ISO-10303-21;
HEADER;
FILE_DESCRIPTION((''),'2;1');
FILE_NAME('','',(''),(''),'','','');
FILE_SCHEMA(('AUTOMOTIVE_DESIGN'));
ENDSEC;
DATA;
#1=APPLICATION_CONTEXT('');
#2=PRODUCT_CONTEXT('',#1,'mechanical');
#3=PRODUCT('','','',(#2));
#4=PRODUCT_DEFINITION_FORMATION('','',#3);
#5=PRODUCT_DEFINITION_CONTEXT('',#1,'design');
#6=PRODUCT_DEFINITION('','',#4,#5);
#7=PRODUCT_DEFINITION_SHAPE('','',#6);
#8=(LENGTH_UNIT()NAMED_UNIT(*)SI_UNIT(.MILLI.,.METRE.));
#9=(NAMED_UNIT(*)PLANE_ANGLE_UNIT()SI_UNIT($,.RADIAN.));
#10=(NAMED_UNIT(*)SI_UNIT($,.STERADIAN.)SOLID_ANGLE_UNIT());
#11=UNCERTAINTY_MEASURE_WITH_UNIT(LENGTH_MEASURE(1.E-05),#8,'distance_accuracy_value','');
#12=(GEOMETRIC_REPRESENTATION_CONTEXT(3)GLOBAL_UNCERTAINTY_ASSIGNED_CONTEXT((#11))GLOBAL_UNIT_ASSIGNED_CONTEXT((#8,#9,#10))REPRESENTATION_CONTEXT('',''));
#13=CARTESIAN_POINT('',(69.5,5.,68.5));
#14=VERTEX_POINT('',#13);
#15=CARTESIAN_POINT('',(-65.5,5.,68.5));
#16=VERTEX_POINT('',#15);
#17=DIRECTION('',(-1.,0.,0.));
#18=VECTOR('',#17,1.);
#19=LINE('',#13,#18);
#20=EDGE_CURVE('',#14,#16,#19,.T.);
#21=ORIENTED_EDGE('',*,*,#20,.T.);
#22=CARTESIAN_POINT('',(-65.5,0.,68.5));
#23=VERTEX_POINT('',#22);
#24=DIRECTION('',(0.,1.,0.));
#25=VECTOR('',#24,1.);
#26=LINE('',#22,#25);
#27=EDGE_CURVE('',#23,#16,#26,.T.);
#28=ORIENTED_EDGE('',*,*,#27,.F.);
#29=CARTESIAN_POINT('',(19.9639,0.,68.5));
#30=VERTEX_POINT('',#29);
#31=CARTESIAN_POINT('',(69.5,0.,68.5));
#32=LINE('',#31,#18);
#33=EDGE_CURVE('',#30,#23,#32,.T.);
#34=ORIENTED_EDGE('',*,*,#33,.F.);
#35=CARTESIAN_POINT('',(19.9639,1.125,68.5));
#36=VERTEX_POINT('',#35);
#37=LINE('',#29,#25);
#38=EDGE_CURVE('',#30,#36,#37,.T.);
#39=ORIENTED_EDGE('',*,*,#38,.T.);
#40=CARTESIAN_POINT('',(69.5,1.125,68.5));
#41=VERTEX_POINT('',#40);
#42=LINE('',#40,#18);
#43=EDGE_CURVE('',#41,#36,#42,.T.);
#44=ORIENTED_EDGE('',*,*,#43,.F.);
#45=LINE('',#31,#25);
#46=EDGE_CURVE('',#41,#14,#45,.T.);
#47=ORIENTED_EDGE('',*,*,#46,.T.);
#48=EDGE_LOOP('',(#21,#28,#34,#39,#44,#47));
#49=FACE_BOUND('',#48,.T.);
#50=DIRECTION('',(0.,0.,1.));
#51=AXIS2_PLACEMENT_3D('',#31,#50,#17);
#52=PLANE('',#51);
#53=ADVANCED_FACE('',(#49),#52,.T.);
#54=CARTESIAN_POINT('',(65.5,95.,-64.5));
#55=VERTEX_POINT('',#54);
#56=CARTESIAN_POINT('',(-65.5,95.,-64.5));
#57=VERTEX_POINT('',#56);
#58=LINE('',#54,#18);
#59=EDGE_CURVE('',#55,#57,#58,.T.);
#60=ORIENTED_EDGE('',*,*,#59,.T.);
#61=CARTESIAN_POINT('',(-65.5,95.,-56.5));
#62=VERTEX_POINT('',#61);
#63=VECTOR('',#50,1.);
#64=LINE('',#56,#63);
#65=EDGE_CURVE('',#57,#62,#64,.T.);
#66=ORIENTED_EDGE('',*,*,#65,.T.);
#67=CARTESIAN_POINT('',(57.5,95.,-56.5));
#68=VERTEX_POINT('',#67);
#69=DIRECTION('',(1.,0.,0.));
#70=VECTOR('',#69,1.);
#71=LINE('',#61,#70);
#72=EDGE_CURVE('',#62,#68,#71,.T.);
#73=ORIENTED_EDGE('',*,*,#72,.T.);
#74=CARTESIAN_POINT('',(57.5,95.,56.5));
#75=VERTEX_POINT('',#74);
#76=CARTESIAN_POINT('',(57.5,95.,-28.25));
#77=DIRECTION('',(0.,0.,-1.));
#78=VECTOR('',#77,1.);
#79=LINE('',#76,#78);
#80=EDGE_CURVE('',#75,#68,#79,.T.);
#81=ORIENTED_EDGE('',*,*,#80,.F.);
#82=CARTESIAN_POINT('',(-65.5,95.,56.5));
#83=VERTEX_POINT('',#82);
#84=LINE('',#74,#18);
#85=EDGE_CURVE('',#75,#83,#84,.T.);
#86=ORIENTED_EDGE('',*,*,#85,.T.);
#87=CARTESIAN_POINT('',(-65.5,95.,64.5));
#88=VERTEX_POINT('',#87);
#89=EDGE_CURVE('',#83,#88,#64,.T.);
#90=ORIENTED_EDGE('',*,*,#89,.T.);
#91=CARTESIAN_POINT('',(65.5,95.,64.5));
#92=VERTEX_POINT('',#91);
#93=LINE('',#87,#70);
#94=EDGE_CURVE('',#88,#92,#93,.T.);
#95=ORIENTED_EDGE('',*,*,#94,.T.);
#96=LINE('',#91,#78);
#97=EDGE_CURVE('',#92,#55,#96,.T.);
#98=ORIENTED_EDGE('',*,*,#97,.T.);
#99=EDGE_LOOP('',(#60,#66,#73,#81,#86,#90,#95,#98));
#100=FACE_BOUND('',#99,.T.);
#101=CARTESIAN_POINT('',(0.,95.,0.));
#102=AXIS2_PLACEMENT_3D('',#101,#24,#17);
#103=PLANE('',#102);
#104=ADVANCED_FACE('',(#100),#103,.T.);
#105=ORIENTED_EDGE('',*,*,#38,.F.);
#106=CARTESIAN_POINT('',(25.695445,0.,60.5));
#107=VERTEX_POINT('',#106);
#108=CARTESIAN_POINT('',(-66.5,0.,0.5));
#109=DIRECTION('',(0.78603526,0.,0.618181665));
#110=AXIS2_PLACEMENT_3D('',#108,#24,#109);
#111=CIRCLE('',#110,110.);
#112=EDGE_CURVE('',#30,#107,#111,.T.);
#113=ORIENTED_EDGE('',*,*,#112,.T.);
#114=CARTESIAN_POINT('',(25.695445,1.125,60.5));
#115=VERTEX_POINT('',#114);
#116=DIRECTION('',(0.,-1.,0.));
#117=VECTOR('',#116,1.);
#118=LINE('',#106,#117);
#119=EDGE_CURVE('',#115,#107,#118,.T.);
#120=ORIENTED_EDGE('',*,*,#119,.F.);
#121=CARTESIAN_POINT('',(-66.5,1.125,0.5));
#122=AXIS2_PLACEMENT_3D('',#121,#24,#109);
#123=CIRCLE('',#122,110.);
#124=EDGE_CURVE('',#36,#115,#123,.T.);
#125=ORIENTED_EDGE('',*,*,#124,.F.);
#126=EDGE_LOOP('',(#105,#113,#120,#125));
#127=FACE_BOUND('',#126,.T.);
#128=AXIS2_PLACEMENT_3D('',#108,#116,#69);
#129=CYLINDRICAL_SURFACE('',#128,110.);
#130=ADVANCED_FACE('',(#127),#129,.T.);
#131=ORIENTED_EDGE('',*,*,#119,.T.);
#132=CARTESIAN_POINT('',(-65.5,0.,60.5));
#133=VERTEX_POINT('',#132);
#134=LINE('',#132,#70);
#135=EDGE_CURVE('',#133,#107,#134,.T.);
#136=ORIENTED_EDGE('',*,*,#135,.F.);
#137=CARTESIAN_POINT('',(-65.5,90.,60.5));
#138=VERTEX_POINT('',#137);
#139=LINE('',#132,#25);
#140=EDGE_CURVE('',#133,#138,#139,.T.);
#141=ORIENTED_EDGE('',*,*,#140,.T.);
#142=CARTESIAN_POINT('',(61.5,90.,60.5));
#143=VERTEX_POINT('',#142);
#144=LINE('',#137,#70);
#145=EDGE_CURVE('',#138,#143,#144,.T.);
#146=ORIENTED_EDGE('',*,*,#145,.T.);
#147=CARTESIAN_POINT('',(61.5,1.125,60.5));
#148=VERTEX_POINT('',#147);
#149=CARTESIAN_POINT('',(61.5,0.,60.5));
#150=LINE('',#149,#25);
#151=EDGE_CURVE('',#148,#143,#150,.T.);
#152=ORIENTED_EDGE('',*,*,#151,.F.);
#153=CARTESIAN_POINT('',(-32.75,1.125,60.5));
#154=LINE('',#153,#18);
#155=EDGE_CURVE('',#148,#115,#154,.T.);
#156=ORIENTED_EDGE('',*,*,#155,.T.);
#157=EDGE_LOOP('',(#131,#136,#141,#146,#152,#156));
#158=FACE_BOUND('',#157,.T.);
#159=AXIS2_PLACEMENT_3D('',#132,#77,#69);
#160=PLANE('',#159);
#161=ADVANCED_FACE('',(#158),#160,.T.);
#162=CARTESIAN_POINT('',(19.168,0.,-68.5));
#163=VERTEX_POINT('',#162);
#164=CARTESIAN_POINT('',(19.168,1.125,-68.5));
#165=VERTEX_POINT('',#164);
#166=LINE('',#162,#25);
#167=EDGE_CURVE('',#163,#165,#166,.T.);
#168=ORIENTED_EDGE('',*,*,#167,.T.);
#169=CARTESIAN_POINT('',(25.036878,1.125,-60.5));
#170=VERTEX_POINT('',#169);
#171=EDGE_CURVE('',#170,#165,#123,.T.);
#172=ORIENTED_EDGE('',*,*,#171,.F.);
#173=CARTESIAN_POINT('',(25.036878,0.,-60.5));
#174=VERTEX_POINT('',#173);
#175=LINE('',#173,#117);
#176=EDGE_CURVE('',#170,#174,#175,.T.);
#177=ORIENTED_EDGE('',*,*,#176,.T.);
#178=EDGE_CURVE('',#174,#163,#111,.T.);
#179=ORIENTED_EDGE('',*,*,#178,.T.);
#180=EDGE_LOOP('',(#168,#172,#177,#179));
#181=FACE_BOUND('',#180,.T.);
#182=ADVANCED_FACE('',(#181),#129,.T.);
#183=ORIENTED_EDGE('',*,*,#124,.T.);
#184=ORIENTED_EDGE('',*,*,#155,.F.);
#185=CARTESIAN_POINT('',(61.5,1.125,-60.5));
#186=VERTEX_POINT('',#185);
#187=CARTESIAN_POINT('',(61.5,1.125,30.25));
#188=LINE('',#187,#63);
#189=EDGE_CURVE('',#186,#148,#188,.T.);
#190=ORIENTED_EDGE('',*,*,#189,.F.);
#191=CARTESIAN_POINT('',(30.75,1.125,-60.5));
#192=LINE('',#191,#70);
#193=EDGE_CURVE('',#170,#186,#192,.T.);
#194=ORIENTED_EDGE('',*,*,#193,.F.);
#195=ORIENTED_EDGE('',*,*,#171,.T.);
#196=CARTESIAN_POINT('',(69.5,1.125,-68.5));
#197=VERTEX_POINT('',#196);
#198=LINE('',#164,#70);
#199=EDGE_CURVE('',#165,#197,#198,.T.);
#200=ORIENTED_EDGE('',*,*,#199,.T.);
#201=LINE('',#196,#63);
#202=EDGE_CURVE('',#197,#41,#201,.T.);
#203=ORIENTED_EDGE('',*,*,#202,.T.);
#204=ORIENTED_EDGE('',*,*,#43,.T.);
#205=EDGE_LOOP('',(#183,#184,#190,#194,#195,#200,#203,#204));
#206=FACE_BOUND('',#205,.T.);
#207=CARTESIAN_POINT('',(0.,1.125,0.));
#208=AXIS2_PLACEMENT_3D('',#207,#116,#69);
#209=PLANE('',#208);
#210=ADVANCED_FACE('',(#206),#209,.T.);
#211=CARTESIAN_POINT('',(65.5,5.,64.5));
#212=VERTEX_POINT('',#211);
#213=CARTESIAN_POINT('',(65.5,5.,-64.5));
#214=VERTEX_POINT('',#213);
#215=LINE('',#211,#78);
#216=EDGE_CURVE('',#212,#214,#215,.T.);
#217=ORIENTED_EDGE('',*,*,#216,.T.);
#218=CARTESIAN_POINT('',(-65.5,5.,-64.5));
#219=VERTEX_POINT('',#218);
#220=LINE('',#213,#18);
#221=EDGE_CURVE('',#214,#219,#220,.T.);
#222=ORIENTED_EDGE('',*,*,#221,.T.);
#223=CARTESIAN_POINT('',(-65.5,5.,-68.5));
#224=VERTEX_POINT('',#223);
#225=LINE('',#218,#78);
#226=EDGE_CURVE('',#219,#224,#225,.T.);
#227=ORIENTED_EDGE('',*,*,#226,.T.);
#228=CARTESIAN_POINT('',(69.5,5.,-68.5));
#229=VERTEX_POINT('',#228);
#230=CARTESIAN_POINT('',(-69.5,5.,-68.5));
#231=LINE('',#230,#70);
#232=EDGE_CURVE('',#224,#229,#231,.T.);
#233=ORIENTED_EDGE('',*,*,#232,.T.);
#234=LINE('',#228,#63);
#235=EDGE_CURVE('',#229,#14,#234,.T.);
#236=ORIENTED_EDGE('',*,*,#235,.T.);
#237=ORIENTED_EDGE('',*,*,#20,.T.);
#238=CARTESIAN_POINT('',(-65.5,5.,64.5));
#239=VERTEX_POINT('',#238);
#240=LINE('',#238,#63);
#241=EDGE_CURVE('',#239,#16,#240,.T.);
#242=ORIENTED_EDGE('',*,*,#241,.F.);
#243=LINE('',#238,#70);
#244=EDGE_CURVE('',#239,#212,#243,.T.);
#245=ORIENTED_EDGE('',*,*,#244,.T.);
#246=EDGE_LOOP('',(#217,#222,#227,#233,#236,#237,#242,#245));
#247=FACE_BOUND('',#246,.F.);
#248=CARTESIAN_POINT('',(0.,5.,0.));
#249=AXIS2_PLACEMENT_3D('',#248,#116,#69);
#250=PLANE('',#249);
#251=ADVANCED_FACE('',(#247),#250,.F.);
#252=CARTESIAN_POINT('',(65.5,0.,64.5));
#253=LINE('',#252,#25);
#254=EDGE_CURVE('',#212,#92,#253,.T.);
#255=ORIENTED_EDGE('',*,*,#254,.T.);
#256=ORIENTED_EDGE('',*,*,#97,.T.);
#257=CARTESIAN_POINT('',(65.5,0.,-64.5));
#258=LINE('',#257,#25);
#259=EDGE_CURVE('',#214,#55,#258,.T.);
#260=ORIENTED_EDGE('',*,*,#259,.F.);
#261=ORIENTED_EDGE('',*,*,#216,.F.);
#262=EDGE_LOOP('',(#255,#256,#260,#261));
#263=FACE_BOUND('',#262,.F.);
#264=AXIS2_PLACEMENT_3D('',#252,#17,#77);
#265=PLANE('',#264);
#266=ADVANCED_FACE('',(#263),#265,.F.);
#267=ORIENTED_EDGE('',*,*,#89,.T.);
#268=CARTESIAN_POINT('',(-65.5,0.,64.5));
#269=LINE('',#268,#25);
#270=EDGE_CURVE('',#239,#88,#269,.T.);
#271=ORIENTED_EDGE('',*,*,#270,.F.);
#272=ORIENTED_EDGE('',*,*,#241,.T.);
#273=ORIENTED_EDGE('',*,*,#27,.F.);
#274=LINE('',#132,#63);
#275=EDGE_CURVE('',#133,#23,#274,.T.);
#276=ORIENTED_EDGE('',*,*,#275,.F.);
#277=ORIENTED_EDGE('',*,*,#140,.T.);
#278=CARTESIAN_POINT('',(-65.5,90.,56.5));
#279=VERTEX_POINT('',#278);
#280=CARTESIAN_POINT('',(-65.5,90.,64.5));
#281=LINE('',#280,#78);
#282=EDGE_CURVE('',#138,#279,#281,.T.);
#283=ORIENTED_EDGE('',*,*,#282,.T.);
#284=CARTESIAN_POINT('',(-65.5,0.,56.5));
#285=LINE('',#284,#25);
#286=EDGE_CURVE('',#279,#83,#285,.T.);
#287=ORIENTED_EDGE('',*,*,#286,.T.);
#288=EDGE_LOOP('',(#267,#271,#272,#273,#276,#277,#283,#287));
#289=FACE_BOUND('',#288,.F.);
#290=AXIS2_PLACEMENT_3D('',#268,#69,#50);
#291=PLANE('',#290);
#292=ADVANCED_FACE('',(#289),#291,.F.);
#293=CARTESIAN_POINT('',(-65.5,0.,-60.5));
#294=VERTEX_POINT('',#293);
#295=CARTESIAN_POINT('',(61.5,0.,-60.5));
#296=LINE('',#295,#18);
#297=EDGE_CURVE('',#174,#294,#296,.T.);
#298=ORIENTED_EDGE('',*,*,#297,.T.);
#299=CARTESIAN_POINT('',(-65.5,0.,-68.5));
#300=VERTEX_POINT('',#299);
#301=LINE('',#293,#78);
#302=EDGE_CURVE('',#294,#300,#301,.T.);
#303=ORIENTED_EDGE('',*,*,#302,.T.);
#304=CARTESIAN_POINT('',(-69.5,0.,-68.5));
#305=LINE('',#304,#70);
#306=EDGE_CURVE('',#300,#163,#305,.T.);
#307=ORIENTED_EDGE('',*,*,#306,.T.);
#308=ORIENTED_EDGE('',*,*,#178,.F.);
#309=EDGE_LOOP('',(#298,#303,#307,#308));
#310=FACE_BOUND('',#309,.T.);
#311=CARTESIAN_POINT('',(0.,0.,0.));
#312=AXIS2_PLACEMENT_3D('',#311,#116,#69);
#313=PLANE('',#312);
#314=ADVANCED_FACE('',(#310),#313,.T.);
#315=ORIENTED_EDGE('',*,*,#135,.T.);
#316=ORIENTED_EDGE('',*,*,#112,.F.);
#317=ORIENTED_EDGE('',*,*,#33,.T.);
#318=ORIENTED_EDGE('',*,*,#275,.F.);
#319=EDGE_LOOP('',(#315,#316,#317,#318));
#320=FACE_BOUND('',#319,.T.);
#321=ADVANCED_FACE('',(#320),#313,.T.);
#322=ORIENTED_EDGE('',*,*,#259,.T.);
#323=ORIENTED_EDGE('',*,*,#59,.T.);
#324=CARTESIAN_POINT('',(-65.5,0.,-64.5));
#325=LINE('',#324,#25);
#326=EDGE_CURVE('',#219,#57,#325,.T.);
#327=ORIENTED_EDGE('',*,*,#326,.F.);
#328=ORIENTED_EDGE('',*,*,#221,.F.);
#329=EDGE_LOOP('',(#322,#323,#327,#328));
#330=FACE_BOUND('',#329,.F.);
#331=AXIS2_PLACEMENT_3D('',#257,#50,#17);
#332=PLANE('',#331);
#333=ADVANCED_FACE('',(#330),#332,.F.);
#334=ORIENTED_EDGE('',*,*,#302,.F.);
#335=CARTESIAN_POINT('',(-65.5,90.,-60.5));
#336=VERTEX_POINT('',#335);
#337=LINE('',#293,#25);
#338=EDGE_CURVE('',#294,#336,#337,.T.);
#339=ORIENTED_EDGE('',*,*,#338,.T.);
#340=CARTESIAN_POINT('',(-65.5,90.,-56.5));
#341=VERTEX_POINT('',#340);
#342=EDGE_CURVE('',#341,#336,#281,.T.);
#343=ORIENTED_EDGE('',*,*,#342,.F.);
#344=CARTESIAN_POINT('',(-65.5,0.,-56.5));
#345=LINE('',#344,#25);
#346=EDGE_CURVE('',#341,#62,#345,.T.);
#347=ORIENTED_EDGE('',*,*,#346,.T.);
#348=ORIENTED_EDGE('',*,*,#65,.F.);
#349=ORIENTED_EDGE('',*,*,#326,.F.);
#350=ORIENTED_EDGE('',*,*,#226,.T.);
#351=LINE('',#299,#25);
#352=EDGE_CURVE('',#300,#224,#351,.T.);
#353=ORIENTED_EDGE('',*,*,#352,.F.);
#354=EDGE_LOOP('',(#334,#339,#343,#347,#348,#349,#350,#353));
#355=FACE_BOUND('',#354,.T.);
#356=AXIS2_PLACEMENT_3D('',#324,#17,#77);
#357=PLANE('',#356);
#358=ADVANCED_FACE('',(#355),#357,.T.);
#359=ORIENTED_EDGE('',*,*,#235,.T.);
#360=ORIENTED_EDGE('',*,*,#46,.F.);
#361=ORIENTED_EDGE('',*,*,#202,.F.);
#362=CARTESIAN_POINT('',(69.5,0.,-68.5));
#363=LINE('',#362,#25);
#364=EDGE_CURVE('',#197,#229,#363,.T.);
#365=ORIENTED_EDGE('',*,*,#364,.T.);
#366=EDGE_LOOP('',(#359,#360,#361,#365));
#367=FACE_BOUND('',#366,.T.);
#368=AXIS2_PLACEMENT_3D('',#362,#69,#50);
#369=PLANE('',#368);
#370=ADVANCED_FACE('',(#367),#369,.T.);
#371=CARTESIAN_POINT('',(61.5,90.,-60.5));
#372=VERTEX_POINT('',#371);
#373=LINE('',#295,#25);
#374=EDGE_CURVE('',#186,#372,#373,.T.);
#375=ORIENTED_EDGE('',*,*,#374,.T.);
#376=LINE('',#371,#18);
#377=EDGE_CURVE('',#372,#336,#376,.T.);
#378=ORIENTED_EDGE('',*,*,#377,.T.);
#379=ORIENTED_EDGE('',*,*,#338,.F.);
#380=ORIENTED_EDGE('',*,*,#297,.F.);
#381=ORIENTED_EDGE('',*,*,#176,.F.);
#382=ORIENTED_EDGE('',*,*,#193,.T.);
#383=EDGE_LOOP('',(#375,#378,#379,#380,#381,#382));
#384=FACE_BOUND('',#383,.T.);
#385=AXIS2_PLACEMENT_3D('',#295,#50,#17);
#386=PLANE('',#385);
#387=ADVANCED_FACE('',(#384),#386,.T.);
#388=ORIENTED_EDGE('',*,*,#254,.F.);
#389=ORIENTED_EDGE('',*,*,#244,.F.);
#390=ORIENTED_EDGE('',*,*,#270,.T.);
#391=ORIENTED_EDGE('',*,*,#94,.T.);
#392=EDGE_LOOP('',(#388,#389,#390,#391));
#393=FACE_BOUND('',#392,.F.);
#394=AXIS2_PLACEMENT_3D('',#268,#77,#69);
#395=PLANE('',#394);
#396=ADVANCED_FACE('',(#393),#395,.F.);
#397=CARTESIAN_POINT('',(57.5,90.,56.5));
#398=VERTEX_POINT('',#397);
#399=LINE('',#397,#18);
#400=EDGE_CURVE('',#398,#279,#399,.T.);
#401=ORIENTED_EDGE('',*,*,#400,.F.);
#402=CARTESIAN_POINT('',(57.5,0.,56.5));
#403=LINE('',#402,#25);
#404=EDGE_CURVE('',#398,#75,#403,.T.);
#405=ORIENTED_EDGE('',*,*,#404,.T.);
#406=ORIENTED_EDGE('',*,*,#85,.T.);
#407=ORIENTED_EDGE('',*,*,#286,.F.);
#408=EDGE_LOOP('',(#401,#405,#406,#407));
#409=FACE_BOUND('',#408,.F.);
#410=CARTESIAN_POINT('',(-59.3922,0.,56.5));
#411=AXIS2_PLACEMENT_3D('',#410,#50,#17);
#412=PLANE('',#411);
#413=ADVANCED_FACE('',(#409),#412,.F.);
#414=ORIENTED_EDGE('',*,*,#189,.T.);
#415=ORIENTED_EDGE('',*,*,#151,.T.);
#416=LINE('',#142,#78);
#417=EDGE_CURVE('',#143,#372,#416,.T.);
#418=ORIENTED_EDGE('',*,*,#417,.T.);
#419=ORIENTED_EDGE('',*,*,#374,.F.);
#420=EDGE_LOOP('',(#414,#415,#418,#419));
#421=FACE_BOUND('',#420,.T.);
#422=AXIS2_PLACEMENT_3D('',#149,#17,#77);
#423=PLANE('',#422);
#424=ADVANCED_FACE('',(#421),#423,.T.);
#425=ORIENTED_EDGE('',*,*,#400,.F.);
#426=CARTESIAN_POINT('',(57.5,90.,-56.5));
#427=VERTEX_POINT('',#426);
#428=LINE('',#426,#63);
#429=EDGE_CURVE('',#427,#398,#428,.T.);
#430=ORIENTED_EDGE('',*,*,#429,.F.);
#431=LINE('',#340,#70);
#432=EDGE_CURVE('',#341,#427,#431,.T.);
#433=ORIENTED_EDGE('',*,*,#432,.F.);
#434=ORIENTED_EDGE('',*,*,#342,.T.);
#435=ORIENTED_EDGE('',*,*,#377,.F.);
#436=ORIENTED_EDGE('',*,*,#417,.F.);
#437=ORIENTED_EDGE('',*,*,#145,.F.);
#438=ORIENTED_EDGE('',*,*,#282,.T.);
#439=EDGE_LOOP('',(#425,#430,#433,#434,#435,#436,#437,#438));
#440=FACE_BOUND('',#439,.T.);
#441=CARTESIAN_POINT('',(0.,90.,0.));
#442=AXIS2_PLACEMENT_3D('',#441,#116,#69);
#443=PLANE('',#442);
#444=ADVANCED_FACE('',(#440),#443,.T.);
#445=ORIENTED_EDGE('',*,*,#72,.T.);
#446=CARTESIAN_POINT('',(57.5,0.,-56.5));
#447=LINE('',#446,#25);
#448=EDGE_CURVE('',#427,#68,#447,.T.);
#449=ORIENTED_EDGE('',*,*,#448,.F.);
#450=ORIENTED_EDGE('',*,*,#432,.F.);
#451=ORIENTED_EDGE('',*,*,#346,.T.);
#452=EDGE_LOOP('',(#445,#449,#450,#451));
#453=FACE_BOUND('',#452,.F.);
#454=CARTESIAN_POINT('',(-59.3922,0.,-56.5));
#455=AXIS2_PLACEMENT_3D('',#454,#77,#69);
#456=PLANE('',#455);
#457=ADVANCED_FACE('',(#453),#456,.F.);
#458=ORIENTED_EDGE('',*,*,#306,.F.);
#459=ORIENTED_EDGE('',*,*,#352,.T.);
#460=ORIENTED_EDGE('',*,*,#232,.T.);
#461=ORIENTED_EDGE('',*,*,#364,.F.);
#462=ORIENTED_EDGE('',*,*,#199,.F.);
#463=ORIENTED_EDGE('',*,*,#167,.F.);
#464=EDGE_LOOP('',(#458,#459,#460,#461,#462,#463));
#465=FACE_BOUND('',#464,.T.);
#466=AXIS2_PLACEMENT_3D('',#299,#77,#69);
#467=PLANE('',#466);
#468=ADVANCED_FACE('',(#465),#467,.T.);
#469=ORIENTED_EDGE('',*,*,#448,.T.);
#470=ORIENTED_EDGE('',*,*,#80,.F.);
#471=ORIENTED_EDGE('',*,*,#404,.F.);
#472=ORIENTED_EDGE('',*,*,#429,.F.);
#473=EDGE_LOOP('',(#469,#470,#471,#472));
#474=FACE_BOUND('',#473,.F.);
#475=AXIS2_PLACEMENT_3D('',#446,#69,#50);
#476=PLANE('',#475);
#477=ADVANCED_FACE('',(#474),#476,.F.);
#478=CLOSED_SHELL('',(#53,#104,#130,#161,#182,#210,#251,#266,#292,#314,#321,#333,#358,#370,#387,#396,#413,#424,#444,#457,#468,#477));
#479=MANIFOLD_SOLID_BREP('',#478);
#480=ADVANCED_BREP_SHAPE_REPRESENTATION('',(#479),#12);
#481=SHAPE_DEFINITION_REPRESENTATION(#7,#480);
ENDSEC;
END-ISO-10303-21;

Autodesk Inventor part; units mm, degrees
ref_plane "YZ Plane" through (0, 0, 0) normal (1, 0, 0) x (0, 1, 0)
ref_plane "XZ Plane" through (0, 0, 0) normal (0, 1, 0) x (-1, 0, 0)
ref_plane "XY Plane" through (0, 0, 0) normal (0, 0, 1) x (1, 0, 0)
sketch "Sketch8" plane through (0, 0, 0) normal (0, 1, 0) x (-1, 0, 0)
  line L0 (-65.5, -64.5) -> (65.5, -64.5)
  line L1 (65.5, -64.5) -> (65.5, 64.5)
  line L2 (65.5, 64.5) -> (-65.5, 64.5)
  line L3 (-65.5, 64.5) -> (-65.5, -64.5)
  line L4 (-65.5, -64.5) -> (65.5, 64.5) construction
  line L5 (65.5, -64.5) -> (-65.5, 64.5) construction
  point P0 (0, 0)
  dimension "d26" = 131
  dimension "d27" = 129
extrude "Extrusion7" add sketch "Sketch8" along normal blind 95
sketch "Sketch9" plane through (0, 0, 0) normal (0, -1, 0) x (1, 0, 0)
  line L0 (-65.5, 64.5) -> (65.5, 64.5) projected
  line L1 (-65.5, -64.5) -> (65.5, -64.5)
  line L2 (65.5, -64.5) -> (65.5, 64.5)
  line L3 (65.5, 64.5) -> (-65.5, 64.5)
  line L4 (-65.5, 64.5) -> (-65.5, -64.5)
  line L5 (-65.5, -64.5) -> (65.5, 64.5) construction
  line L6 (65.5, -64.5) -> (-65.5, 64.5) construction
  line L7 (61.5, 60.5) -> (61.5, -60.5)
  line L8 (61.5, -60.5) -> (-65.5, -60.5)
  line L9 (-65.5, 60.5) -> (61.5, 60.5)
  line L10 (57.5, -56.5) -> (57.5, 56.5)
  line L11 (57.5, 56.5) -> (-65.5, 56.5)
  line L12 (-65.5, -56.5) -> (57.5, -56.5)
  line L13 (-63.4537, -60.5) -> (-63.4537, -62.485)
  line L14 (-63.4537, 62.485) -> (-63.4537, 60.5)
  line L15 (-59.3922, 56.5) -> (-59.3922, 58.4854)
  line L16 (-59.3922, -58.4854) -> (-59.3922, -56.5)
  point P0 (0, 0)
  dimension "d30" = 4
  dimension "d31" = 4
  dimension "d47" = 4
  dimension "d48" = 4
  dimension "d49" = 4
  dimension "d50" = 4
extrude "Extrusion8" cut sketch "Sketch9" against normal blind 115 contours L11 L10 L12 L4
extrude "Extrusion9" cut sketch "Sketch9" against normal blind 90 contours L9 L7 L8 L4 L12 L10 L11
sketch "Sketch10" plane through (0, 0, 0) normal (0, -1, 0) x (1, 0, 0)
  line L0 (65.5, -64.5) -> (-65.5, -64.5)
  line L1 (-65.5, -64.5) -> (-65.5, 64.5)
  line L2 (-65.5, 64.5) -> (65.5, 64.5)
  line L3 (65.5, 64.5) -> (65.5, -64.5)
  line L4 (65.5, -64.5) -> (-65.5, 64.5) construction
  line L5 (-65.5, -64.5) -> (65.5, 64.5) construction
  line L6 (-69.5, 68.5) -> (-69.5, -68.5)
  line L7 (-69.5, -68.5) -> (69.5, -68.5)
  line L8 (69.5, -68.5) -> (69.5, 68.5)
  line L9 (69.5, 68.5) -> (-69.5, 68.5)
  line L10 (-65.5, 64.5) -> (-69.5, 64.5)
  line L11 (-65.5, -64.5) -> (-69.5, -64.5)
  line L12 (-65.5, 64.5) -> (-65.5, 68.5)
  line L13 (-65.5, -64.5) -> (-65.5, -68.5)
  point P0 (0, 0)
  dimension "d36" = 4
extrude "Extrusion10" add sketch "Sketch10" against normal blind 5 contours L3 L2 L12 L9 L8 L7 L13 L0
sketch "Sketch11" plane through (0, 0, 0) normal (0, -1, 0) x (1, 0, 0)
  circle A0 centre (-66.5, 0.5) radius 135
  line L0 (61.5, 60.5) -> (61.5, -60.5) projected
  line L1 (69.5, -68.5) -> (69.5, 68.5) projected
  circle A1 centre (-66.5, 0.5) radius 110
  line L2 (19.168, -68.5) -> (69.5, -68.5)
  line L3 (69.5, -68.5) -> (69.5, 68.5)
  line L4 (69.5, 68.5) -> (19.9639, 68.5)
  line L5 (-65.5, 68.5) -> (69.5, 68.5) projected
  point P0 (0, 0)
  dimension "d39" = 270
  dimension "d41" = 136
  dimension "d42" = 220
extrude "Extrusion11" cut sketch "Sketch11" against normal blind 1.125 contours A0 L0 | A0 L4 L1 L2 | L0 A0 L2 A1 L4
properties part number "Galvo Housing-01"
